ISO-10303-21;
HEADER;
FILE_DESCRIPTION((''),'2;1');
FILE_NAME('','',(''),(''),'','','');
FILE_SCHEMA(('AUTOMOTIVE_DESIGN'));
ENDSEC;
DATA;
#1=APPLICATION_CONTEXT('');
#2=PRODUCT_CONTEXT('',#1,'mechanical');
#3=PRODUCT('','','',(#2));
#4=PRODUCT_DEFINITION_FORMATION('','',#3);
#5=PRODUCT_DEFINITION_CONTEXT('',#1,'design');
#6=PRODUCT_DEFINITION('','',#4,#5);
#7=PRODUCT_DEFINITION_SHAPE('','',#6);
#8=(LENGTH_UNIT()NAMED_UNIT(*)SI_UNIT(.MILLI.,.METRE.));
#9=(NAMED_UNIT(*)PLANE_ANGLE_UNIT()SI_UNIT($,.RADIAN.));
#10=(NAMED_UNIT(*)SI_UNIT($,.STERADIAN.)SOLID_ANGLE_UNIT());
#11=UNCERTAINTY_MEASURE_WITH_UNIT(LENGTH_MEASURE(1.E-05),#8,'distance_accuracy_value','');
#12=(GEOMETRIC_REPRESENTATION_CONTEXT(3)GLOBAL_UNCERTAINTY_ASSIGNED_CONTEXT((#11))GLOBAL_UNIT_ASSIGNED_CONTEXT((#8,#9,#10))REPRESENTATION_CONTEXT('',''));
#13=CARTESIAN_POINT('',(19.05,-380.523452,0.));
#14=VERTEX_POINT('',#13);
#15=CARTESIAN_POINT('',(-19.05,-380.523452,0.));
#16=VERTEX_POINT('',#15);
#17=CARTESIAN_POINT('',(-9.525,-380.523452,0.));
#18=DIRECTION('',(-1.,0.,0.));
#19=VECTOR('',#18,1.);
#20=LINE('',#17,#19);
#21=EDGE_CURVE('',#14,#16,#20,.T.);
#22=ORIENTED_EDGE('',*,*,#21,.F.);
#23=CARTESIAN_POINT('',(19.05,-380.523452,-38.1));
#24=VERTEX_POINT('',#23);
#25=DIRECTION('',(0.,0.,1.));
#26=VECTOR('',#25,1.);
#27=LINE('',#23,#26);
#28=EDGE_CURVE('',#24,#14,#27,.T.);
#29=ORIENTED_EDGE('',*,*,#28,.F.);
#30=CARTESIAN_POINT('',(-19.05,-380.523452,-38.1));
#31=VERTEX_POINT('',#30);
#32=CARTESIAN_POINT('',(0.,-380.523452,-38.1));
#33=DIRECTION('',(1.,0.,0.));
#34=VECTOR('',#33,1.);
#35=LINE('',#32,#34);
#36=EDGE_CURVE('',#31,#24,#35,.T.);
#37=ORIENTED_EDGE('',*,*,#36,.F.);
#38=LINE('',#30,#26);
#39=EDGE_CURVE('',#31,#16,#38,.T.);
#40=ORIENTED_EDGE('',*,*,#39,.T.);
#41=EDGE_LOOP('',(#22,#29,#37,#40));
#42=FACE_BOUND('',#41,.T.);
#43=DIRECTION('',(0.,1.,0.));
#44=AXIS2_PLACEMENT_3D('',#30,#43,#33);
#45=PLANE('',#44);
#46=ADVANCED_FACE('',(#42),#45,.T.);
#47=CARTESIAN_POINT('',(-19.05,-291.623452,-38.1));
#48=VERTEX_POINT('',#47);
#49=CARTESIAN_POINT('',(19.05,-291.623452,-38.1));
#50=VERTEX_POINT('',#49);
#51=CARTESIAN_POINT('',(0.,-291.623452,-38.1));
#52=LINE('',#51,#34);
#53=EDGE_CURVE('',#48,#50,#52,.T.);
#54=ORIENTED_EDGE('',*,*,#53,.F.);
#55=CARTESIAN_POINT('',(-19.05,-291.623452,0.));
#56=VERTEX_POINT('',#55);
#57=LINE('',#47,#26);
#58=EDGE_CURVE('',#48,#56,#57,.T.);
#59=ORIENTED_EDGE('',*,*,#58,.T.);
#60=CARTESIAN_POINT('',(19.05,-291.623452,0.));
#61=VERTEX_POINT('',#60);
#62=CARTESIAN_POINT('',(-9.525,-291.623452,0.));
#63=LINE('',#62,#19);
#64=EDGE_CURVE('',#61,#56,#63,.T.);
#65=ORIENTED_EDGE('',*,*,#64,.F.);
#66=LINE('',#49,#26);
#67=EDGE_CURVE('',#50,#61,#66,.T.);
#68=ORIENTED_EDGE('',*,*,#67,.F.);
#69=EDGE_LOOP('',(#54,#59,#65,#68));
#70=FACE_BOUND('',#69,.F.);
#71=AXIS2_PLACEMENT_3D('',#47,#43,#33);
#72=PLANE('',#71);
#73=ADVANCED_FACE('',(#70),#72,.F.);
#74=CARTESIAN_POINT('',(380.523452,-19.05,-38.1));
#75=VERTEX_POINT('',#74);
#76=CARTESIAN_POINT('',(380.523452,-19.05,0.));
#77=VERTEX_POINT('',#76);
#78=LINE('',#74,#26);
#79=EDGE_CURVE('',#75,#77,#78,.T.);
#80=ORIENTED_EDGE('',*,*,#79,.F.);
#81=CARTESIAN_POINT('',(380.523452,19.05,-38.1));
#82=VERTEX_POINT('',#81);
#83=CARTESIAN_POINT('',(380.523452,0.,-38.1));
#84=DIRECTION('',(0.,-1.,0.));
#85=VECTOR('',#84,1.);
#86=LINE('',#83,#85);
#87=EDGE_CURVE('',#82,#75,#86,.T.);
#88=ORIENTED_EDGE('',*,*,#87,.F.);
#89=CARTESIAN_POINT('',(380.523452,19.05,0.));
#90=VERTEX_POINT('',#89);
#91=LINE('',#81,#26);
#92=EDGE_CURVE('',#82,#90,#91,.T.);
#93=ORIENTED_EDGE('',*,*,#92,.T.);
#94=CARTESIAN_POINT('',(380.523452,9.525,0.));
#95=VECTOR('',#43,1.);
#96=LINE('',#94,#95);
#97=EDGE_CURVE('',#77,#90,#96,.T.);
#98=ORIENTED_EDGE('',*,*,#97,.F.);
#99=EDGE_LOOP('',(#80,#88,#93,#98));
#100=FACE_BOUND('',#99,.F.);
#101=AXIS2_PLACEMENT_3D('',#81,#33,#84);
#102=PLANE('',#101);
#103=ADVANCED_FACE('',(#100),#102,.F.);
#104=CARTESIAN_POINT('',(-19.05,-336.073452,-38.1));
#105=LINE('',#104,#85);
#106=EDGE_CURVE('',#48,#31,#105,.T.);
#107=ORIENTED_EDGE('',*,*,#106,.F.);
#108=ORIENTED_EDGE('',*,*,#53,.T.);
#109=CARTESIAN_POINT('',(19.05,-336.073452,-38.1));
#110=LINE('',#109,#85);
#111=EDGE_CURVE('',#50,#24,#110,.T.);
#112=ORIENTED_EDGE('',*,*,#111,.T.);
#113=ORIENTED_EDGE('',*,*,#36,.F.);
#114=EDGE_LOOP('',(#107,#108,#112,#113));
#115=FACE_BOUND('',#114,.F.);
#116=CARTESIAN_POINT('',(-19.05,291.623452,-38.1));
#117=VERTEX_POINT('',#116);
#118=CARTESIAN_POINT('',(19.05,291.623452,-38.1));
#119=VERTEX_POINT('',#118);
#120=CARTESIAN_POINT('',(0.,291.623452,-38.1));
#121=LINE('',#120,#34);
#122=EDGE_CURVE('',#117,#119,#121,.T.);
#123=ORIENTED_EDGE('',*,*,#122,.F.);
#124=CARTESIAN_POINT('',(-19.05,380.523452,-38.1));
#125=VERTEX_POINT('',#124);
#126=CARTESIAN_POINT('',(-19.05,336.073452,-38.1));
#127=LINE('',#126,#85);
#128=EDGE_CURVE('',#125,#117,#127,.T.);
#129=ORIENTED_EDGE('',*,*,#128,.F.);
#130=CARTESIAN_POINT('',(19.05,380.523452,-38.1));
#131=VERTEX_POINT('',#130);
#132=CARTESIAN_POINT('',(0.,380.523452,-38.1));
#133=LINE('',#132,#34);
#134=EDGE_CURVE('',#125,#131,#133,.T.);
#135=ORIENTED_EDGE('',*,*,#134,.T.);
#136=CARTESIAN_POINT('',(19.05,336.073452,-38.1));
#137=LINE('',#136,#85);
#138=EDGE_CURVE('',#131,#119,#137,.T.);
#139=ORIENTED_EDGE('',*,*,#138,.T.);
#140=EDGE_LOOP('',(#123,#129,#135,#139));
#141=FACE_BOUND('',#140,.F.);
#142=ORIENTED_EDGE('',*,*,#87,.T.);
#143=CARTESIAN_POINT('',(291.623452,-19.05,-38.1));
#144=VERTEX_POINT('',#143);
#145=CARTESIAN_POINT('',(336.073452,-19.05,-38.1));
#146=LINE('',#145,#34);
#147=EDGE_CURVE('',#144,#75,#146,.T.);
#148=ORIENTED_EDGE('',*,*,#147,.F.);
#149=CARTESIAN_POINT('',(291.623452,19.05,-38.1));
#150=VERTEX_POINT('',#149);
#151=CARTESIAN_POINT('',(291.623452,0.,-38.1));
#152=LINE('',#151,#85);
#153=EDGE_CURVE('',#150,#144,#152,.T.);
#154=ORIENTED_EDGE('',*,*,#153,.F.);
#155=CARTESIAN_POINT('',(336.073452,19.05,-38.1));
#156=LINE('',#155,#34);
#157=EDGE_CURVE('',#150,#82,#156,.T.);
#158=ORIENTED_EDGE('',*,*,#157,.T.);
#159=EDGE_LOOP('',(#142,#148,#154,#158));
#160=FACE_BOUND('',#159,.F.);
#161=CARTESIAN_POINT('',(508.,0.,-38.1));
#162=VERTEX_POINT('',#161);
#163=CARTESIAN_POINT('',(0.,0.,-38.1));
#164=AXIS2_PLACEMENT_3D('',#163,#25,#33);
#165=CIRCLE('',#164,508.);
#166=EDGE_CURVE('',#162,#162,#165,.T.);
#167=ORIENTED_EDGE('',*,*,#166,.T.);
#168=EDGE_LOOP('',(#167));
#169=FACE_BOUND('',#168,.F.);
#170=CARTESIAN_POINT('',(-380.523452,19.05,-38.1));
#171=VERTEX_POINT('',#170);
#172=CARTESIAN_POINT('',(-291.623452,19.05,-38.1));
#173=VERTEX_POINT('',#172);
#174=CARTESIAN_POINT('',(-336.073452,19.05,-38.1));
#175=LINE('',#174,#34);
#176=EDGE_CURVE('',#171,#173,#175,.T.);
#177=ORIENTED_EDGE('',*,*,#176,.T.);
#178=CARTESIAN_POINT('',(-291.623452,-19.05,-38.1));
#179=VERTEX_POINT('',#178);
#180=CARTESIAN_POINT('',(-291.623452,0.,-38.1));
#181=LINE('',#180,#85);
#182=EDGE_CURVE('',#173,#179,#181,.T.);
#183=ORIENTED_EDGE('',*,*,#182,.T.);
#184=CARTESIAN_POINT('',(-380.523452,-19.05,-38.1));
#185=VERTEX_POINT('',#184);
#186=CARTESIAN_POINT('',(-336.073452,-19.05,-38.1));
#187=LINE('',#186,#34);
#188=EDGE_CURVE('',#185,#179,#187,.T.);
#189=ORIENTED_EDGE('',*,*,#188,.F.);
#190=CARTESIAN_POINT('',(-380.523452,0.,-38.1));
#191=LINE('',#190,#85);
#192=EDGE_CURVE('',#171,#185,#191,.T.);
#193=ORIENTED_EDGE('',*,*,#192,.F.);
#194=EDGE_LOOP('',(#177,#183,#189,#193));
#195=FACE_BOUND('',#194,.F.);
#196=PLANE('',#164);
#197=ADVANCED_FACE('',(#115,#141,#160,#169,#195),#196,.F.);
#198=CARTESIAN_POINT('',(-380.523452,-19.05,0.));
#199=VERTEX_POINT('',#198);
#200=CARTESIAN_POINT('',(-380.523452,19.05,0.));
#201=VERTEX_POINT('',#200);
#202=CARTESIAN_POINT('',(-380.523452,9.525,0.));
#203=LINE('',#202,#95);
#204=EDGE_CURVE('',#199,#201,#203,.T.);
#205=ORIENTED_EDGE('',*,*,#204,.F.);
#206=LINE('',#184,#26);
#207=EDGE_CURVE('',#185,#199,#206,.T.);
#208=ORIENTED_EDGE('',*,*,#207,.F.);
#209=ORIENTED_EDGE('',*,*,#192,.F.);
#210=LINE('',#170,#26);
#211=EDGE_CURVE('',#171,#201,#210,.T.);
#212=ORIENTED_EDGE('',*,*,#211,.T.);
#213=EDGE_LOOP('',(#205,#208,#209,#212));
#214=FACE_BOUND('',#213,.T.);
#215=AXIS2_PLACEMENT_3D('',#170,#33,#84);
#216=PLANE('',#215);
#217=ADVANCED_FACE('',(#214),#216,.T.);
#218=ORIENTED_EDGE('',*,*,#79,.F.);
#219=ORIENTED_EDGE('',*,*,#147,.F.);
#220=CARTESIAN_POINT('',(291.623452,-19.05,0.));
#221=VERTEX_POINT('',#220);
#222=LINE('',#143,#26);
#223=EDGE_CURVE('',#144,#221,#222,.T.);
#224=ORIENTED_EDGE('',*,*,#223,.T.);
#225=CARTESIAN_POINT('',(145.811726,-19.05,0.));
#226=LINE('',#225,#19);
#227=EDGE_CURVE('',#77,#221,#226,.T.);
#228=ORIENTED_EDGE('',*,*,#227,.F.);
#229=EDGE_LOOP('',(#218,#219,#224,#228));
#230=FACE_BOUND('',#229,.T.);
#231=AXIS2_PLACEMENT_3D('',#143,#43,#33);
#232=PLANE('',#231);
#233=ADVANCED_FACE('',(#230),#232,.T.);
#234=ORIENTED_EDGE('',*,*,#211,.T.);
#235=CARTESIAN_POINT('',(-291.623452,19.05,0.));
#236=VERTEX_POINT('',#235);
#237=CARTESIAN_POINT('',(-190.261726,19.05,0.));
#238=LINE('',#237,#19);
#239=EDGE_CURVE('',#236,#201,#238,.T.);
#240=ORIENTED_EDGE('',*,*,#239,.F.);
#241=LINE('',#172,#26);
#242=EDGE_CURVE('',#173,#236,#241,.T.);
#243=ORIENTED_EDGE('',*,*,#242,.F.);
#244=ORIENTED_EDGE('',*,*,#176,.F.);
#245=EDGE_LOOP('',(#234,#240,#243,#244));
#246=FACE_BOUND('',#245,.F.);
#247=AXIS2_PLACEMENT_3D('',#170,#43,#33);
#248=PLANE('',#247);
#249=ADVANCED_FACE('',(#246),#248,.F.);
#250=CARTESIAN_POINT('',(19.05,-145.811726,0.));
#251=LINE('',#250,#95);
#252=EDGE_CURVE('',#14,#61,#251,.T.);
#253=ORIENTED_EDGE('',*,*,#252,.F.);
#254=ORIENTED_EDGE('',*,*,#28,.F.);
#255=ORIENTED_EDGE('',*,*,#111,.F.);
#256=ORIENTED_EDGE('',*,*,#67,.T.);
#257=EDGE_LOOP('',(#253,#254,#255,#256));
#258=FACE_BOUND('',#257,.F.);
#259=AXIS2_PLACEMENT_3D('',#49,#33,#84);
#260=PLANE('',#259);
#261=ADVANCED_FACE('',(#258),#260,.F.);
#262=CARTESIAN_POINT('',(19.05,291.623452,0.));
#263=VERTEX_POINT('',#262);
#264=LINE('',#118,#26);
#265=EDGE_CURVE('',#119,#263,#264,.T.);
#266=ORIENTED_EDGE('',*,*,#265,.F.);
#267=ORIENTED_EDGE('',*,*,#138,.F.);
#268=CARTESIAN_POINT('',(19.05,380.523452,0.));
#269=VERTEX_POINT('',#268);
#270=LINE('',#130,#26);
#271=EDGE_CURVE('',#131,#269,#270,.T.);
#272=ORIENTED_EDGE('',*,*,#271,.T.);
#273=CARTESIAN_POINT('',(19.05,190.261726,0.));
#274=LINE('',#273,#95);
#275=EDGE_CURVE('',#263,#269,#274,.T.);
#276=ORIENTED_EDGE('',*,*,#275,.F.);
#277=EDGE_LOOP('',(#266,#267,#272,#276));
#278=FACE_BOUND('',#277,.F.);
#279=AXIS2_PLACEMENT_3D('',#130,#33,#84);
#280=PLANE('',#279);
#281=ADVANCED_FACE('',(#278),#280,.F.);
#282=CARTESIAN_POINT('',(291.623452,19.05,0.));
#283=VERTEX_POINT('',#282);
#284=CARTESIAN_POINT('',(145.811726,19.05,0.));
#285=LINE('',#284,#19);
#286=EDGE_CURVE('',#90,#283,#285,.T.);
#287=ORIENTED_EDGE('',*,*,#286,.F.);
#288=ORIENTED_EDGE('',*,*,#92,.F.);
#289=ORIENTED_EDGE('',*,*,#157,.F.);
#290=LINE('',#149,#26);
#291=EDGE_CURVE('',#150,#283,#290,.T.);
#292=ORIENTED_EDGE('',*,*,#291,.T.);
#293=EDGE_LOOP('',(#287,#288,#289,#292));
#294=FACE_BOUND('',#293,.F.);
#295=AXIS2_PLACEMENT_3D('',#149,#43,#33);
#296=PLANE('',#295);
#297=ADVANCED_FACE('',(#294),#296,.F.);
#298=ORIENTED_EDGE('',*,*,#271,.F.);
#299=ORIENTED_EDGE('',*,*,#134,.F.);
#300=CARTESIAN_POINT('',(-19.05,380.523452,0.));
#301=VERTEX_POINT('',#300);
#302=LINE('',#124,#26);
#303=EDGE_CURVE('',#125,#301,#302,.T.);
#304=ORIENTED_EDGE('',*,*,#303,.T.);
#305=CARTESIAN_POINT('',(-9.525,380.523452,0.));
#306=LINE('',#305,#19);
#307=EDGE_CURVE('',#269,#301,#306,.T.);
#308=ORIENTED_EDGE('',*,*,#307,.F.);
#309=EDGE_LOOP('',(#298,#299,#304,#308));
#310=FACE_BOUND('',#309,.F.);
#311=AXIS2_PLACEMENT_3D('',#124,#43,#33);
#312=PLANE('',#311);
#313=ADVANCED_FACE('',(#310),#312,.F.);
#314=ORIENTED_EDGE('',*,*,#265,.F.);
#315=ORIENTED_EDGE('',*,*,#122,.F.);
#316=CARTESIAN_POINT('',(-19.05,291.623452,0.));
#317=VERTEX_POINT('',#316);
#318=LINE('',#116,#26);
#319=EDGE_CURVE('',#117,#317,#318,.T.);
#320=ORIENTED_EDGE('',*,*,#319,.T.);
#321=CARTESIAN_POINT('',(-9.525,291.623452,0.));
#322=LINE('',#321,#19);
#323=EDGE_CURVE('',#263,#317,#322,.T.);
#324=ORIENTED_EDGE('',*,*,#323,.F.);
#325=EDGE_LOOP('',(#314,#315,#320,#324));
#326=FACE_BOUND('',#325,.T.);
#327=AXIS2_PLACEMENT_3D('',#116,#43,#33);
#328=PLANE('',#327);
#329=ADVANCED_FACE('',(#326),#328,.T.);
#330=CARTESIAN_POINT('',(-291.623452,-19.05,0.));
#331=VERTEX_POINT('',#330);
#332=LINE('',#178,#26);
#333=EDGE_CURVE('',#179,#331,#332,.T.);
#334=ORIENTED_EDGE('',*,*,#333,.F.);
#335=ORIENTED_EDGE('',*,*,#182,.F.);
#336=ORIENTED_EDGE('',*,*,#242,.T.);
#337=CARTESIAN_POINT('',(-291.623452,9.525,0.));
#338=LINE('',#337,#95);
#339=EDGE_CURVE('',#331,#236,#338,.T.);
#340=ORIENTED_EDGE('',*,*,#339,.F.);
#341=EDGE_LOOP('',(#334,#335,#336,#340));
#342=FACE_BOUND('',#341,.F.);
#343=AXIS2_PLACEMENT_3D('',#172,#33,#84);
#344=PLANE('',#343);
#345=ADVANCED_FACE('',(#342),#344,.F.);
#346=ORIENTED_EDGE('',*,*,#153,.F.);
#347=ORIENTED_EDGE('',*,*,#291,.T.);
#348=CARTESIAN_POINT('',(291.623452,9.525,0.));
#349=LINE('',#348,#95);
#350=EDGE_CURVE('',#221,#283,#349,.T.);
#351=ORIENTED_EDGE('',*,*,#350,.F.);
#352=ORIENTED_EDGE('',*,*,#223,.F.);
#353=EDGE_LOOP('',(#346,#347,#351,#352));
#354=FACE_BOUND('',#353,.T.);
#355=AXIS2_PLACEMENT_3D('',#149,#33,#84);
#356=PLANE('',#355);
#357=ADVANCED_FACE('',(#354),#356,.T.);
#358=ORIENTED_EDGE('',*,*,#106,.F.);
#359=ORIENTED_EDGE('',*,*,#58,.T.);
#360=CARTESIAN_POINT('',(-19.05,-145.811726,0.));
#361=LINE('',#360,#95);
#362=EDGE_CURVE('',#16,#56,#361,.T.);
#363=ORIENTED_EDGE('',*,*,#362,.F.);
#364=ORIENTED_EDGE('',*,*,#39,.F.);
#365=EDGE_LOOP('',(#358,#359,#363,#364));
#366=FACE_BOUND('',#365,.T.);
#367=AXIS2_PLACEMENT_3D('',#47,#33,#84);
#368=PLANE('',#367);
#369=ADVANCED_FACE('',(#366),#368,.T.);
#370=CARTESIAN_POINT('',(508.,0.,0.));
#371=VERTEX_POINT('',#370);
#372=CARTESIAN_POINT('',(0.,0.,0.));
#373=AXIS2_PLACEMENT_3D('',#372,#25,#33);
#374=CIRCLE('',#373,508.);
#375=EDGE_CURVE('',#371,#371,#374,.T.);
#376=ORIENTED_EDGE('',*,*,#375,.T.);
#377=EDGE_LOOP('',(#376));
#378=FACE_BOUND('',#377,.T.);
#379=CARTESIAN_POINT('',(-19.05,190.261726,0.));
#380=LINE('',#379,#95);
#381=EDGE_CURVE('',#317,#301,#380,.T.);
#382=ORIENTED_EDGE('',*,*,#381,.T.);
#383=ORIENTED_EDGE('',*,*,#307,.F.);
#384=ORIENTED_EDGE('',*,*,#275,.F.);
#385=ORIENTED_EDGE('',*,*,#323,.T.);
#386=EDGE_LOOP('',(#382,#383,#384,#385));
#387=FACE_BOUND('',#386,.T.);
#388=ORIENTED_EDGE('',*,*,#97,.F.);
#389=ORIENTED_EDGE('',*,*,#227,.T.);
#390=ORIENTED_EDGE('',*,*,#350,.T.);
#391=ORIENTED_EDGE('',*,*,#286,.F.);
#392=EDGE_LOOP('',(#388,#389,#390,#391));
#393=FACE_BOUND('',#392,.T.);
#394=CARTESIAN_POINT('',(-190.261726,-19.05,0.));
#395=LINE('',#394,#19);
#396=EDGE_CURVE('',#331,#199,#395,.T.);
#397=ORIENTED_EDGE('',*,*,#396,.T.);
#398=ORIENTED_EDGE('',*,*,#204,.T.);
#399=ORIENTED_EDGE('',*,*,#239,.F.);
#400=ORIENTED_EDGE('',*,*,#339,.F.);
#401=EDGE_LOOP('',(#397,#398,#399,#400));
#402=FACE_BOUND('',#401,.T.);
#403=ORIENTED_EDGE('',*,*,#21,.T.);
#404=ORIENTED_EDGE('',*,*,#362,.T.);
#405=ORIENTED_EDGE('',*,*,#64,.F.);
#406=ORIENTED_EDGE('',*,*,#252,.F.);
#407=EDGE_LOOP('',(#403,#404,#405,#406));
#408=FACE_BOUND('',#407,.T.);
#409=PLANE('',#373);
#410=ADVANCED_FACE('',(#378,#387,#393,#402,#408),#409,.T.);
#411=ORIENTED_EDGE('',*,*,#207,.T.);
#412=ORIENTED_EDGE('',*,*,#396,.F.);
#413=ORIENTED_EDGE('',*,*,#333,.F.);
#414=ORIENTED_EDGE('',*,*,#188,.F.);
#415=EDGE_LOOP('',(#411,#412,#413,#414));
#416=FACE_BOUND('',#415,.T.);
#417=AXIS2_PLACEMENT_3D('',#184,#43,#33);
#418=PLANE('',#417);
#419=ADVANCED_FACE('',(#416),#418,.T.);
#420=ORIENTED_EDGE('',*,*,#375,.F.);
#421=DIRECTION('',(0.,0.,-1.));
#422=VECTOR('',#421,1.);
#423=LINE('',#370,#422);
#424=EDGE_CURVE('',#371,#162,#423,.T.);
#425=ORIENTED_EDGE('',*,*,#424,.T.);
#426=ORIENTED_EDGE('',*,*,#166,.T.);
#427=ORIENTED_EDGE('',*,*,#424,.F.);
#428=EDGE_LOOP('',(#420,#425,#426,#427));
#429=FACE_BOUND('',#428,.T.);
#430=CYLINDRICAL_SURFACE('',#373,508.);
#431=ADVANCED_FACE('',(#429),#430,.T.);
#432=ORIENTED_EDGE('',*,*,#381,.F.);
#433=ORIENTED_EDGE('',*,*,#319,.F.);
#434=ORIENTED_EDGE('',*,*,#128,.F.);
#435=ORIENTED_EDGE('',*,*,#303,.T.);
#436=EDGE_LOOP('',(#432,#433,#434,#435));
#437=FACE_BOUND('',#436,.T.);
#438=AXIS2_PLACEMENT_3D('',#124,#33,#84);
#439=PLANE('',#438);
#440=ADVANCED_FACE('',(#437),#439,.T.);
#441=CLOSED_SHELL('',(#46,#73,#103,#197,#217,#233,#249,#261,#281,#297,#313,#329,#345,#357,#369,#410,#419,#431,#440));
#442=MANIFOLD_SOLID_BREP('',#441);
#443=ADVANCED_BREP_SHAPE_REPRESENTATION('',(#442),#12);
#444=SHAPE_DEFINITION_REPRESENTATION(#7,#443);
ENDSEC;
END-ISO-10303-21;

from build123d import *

# Parameters (mm, degrees)
F0_R     = 508
F1_DEPTH = 38.1
F2_W     = 88.9
F2_H     = 38.1
F2_W_2   = 38.1
F2_H_2   = 88.9
F3_DEPTH = 38.101


with BuildPart() as f1:
    # F0 (on Top) → F1 (new body)
    with BuildSketch(Plane.XY):
        Circle(F0_R)
    extrude(amount=-F1_DEPTH)

    # F2 (on face) → F3 (cut, through all)
    with BuildSketch(Plane(origin=(0, 0, -38.1), x_dir=(1, 0, 0), z_dir=(0, 0, -1))):
        with Locations((-336.073452, 0)):
            Rectangle(F2_W, F2_H)
        with Locations((0, -336.073452)):
            Rectangle(F2_W_2, F2_H_2)
        with Locations((336.073452, 0)):
            Rectangle(F2_W, F2_H)
        with Locations((0, 336.073452)):
            Rectangle(F2_W_2, F2_H_2)
    extrude(amount=-F3_DEPTH, mode=Mode.SUBTRACT)


solid = f1.part
